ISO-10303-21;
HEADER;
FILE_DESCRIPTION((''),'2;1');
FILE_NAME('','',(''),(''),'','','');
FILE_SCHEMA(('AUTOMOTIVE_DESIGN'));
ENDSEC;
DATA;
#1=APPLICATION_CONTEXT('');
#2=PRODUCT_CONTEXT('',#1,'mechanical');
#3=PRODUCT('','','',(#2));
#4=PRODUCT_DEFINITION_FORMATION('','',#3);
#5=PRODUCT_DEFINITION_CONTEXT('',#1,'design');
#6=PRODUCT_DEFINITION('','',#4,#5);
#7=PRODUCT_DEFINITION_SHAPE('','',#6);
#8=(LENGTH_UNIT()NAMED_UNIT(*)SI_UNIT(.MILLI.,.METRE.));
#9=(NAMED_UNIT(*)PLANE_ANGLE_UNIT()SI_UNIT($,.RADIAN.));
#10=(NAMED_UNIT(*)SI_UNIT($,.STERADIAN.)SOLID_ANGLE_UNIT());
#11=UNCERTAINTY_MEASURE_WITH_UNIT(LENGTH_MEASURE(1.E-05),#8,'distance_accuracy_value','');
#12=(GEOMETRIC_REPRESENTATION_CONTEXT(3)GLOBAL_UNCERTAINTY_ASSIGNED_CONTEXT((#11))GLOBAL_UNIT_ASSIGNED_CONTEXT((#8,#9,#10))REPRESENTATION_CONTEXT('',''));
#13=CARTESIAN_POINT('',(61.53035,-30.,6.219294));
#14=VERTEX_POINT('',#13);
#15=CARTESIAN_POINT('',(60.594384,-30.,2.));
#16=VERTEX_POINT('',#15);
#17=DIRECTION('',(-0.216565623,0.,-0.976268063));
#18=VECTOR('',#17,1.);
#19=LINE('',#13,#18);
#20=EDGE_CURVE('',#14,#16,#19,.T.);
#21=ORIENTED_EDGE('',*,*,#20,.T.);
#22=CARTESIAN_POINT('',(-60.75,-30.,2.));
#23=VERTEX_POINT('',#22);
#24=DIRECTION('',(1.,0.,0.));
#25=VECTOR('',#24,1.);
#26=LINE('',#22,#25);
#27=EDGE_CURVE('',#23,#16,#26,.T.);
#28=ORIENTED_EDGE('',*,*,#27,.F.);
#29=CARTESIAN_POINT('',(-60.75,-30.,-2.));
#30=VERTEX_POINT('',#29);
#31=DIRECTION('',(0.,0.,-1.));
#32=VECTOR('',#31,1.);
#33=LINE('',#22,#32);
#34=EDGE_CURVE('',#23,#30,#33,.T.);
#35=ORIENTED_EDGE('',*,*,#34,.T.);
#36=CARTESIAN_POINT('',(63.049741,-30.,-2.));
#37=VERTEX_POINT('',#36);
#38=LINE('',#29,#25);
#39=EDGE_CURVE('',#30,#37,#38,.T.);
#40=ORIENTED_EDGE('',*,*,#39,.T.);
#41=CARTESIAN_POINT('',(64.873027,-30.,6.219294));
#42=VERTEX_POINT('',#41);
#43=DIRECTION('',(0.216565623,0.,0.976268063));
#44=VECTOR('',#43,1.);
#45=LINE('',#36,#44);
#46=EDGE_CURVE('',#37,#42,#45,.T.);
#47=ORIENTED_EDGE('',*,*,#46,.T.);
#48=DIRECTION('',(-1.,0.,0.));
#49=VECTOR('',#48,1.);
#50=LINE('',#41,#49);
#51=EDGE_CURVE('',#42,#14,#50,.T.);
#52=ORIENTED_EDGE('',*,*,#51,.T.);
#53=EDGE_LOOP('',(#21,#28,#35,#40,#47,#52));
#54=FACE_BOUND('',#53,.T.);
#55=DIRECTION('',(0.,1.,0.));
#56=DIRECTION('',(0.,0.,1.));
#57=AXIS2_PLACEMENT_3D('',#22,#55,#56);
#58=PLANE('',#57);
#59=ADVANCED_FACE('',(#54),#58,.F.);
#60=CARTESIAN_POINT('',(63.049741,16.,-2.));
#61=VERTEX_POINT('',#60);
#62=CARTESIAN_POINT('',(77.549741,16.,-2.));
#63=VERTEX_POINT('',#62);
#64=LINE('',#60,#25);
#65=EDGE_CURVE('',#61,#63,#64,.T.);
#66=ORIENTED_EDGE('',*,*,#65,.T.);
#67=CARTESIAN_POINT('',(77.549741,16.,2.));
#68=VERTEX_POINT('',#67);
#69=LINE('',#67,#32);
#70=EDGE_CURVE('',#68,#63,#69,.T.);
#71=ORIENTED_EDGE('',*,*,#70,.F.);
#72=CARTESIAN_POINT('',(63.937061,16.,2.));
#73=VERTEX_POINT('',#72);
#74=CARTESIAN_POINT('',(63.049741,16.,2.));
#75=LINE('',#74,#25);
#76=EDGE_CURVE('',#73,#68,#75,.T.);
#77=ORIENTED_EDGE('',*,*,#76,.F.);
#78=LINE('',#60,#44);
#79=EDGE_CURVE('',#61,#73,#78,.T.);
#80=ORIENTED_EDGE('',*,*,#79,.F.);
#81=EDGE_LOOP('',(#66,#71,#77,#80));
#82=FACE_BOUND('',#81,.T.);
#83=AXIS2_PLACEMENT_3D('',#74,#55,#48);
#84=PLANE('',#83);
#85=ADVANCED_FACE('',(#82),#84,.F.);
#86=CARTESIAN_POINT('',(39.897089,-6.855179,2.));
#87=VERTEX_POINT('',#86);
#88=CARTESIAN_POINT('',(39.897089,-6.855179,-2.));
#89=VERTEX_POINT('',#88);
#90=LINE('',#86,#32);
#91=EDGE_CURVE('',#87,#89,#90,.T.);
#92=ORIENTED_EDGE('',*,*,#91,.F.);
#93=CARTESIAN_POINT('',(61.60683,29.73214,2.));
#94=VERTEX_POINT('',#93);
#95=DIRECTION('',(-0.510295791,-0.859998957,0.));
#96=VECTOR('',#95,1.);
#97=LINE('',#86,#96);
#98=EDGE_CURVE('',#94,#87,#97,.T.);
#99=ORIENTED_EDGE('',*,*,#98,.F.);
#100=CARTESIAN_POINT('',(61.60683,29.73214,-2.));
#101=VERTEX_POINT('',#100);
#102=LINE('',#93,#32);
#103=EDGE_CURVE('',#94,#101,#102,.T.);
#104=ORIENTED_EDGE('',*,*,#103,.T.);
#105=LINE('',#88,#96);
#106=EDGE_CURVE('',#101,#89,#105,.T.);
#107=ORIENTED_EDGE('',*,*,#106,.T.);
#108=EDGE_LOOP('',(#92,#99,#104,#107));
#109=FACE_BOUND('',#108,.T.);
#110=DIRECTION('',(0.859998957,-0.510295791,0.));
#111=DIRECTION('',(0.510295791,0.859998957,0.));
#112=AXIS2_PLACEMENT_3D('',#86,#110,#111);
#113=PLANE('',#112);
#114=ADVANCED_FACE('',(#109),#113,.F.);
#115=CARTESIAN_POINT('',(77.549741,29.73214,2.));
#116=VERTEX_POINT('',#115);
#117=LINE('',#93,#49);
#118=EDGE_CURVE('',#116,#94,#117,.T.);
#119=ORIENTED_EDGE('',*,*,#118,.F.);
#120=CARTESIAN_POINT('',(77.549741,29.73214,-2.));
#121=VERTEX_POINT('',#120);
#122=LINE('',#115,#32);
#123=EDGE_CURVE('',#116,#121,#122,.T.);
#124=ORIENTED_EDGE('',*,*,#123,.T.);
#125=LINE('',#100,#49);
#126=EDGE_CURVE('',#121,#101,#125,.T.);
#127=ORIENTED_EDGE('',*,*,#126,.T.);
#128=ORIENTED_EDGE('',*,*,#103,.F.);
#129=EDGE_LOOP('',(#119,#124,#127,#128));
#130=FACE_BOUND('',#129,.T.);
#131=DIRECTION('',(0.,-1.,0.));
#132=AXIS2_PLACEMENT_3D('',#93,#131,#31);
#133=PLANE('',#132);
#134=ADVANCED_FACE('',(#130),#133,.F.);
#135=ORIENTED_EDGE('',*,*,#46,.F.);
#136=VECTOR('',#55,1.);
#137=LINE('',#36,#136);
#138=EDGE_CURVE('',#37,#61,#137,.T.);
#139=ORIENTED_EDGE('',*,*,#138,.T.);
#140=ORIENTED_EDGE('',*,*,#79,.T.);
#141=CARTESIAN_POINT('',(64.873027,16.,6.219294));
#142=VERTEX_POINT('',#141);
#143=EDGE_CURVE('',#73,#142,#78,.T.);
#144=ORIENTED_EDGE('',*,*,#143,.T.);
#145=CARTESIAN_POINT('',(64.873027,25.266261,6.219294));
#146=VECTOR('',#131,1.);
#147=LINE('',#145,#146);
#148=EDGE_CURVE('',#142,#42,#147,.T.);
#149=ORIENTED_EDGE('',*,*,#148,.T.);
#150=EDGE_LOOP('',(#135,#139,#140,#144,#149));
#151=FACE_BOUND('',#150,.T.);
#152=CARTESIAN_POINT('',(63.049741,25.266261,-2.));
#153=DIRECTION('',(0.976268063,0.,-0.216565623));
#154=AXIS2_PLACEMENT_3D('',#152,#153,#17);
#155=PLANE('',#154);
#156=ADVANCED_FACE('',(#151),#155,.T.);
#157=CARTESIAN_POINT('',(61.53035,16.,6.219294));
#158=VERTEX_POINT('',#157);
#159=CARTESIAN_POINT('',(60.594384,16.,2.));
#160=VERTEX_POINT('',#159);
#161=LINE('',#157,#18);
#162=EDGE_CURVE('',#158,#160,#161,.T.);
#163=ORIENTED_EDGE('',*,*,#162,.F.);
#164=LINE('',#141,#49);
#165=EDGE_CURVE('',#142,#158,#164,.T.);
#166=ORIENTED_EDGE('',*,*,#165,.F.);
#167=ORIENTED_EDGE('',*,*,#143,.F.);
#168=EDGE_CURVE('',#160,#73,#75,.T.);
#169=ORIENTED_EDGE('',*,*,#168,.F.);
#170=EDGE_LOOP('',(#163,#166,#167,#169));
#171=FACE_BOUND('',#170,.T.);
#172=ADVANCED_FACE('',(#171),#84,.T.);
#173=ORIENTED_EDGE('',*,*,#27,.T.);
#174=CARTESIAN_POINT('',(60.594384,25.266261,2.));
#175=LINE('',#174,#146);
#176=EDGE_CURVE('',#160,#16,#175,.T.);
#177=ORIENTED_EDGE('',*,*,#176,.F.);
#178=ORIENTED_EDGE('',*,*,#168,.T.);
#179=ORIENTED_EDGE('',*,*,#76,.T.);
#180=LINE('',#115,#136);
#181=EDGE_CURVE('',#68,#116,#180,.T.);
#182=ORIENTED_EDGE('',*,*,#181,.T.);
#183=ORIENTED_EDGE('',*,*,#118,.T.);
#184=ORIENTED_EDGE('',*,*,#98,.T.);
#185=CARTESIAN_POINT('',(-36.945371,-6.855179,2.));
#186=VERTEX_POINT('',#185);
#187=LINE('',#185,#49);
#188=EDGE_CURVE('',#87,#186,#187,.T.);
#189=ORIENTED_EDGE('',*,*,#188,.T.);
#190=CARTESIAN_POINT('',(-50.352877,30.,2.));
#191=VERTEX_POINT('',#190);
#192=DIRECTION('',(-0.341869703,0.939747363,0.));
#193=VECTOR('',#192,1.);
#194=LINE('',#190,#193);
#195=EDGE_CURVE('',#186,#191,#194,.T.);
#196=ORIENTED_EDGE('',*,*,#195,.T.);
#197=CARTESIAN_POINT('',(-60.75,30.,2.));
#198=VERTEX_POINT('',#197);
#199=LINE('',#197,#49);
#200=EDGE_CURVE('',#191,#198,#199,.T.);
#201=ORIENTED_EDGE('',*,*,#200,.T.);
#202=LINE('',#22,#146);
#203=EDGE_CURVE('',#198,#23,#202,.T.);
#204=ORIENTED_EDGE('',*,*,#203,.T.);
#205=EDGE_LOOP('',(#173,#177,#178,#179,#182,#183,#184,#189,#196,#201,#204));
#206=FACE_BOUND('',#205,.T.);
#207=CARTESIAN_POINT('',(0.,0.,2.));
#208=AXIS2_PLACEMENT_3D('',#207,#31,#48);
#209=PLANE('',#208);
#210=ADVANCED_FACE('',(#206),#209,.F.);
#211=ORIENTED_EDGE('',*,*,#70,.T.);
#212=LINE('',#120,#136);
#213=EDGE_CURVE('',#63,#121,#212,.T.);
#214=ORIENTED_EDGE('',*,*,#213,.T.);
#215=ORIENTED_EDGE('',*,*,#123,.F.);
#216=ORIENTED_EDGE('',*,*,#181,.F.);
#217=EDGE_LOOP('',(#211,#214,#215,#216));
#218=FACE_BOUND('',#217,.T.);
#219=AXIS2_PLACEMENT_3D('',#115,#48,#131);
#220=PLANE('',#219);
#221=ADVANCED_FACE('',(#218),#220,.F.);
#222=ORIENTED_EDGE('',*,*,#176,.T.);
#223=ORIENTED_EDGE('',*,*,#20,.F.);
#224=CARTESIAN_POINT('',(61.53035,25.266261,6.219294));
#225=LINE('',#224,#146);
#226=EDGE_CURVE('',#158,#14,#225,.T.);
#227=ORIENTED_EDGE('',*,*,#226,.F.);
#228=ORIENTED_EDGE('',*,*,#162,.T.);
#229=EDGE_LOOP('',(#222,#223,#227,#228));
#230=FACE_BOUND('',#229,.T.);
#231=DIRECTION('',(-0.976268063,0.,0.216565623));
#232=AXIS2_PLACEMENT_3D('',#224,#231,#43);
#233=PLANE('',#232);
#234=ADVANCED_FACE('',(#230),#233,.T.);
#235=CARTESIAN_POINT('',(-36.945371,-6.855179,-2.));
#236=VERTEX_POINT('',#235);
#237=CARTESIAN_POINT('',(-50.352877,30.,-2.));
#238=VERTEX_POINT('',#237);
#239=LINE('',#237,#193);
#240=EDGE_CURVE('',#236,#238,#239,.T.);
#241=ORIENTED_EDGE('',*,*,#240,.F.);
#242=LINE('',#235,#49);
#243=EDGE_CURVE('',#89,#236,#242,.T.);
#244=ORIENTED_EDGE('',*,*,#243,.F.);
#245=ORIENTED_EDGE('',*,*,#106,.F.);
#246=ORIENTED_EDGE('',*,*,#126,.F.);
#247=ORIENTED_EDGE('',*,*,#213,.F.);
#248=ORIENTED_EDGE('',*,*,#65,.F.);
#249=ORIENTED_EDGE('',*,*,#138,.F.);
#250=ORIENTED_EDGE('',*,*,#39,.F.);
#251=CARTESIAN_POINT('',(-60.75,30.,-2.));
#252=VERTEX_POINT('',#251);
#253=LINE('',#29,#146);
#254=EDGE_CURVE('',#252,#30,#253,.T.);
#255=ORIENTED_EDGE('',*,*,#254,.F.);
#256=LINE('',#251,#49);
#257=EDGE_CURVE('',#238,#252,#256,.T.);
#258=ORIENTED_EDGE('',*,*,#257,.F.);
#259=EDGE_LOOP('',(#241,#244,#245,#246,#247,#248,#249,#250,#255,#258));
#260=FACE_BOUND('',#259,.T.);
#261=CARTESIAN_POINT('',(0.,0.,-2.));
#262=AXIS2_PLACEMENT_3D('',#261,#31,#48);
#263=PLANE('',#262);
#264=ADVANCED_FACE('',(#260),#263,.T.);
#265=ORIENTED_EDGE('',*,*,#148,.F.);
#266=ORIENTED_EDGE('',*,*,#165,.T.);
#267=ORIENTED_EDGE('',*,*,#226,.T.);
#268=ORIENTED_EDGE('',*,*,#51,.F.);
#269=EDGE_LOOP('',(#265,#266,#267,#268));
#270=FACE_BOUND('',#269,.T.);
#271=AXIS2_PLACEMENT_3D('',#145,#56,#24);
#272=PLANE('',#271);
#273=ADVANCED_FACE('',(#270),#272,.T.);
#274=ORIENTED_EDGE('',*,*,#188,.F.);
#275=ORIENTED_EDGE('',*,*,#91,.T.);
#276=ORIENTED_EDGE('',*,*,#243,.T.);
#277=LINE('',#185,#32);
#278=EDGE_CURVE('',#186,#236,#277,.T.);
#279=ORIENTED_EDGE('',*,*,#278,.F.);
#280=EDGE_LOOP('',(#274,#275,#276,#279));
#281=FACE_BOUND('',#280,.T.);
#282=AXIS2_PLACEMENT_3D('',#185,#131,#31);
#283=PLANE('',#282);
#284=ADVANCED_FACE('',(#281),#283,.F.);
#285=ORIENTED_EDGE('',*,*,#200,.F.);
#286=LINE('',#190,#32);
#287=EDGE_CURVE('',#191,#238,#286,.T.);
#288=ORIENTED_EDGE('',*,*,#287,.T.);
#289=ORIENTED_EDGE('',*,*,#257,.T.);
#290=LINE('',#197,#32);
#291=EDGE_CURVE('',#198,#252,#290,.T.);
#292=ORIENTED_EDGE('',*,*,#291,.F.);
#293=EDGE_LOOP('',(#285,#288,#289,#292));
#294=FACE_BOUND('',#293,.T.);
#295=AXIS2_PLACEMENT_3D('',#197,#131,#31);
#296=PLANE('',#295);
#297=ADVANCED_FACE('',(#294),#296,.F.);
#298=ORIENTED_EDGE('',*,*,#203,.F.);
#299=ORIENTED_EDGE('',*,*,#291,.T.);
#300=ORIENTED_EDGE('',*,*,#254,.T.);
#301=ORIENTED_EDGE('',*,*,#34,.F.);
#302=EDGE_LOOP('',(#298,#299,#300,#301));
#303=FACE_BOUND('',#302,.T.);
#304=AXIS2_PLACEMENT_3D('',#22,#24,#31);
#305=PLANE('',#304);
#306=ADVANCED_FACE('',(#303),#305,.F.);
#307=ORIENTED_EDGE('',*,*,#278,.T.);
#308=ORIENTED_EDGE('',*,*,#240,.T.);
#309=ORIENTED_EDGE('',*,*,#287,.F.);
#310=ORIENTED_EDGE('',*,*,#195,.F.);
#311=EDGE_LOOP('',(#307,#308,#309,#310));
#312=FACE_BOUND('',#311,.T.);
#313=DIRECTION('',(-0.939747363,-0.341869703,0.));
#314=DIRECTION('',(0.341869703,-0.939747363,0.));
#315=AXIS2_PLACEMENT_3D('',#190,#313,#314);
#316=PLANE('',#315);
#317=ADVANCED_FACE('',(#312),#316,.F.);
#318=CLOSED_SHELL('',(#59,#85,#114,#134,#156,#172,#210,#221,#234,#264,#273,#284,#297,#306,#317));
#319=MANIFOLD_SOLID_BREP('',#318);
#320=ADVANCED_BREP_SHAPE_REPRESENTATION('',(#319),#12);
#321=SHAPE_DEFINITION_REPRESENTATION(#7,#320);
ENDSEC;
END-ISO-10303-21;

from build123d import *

# Parameters (mm, degrees)
BOSS_EXTRUDE1_DEPTH = 2
BOSS_EXTRUDE2_DEPTH = 46


with BuildPart() as part:
    # Sketch1 → Boss-Extrude1 (new, symmetric)
    with BuildSketch(Plane.XY):
        Polygon((-60.75, -30), (-60.75, 30), (-50.352877454, 30), (-36.945370579, -6.855179418), (39.897088693, -6.855179418), (61.606830496, 29.73214036), (77.549740604, 29.73214036), (77.549740604, 16), (63.049740604, 16), (63.049740604, -30), align=None)
    extrude(amount=BOSS_EXTRUDE1_DEPTH, both=True)

    # Sketch2 → Boss-Extrude2 (add)
    with BuildSketch(Plane.XZ.offset(30)):
        Polygon((63.049740604, -2), (64.873027277, 6.219294114), (61.530350142, 6.219294114), (60.59438379, 2), align=None)
    extrude(amount=-BOSS_EXTRUDE2_DEPTH)


solid = part.part
